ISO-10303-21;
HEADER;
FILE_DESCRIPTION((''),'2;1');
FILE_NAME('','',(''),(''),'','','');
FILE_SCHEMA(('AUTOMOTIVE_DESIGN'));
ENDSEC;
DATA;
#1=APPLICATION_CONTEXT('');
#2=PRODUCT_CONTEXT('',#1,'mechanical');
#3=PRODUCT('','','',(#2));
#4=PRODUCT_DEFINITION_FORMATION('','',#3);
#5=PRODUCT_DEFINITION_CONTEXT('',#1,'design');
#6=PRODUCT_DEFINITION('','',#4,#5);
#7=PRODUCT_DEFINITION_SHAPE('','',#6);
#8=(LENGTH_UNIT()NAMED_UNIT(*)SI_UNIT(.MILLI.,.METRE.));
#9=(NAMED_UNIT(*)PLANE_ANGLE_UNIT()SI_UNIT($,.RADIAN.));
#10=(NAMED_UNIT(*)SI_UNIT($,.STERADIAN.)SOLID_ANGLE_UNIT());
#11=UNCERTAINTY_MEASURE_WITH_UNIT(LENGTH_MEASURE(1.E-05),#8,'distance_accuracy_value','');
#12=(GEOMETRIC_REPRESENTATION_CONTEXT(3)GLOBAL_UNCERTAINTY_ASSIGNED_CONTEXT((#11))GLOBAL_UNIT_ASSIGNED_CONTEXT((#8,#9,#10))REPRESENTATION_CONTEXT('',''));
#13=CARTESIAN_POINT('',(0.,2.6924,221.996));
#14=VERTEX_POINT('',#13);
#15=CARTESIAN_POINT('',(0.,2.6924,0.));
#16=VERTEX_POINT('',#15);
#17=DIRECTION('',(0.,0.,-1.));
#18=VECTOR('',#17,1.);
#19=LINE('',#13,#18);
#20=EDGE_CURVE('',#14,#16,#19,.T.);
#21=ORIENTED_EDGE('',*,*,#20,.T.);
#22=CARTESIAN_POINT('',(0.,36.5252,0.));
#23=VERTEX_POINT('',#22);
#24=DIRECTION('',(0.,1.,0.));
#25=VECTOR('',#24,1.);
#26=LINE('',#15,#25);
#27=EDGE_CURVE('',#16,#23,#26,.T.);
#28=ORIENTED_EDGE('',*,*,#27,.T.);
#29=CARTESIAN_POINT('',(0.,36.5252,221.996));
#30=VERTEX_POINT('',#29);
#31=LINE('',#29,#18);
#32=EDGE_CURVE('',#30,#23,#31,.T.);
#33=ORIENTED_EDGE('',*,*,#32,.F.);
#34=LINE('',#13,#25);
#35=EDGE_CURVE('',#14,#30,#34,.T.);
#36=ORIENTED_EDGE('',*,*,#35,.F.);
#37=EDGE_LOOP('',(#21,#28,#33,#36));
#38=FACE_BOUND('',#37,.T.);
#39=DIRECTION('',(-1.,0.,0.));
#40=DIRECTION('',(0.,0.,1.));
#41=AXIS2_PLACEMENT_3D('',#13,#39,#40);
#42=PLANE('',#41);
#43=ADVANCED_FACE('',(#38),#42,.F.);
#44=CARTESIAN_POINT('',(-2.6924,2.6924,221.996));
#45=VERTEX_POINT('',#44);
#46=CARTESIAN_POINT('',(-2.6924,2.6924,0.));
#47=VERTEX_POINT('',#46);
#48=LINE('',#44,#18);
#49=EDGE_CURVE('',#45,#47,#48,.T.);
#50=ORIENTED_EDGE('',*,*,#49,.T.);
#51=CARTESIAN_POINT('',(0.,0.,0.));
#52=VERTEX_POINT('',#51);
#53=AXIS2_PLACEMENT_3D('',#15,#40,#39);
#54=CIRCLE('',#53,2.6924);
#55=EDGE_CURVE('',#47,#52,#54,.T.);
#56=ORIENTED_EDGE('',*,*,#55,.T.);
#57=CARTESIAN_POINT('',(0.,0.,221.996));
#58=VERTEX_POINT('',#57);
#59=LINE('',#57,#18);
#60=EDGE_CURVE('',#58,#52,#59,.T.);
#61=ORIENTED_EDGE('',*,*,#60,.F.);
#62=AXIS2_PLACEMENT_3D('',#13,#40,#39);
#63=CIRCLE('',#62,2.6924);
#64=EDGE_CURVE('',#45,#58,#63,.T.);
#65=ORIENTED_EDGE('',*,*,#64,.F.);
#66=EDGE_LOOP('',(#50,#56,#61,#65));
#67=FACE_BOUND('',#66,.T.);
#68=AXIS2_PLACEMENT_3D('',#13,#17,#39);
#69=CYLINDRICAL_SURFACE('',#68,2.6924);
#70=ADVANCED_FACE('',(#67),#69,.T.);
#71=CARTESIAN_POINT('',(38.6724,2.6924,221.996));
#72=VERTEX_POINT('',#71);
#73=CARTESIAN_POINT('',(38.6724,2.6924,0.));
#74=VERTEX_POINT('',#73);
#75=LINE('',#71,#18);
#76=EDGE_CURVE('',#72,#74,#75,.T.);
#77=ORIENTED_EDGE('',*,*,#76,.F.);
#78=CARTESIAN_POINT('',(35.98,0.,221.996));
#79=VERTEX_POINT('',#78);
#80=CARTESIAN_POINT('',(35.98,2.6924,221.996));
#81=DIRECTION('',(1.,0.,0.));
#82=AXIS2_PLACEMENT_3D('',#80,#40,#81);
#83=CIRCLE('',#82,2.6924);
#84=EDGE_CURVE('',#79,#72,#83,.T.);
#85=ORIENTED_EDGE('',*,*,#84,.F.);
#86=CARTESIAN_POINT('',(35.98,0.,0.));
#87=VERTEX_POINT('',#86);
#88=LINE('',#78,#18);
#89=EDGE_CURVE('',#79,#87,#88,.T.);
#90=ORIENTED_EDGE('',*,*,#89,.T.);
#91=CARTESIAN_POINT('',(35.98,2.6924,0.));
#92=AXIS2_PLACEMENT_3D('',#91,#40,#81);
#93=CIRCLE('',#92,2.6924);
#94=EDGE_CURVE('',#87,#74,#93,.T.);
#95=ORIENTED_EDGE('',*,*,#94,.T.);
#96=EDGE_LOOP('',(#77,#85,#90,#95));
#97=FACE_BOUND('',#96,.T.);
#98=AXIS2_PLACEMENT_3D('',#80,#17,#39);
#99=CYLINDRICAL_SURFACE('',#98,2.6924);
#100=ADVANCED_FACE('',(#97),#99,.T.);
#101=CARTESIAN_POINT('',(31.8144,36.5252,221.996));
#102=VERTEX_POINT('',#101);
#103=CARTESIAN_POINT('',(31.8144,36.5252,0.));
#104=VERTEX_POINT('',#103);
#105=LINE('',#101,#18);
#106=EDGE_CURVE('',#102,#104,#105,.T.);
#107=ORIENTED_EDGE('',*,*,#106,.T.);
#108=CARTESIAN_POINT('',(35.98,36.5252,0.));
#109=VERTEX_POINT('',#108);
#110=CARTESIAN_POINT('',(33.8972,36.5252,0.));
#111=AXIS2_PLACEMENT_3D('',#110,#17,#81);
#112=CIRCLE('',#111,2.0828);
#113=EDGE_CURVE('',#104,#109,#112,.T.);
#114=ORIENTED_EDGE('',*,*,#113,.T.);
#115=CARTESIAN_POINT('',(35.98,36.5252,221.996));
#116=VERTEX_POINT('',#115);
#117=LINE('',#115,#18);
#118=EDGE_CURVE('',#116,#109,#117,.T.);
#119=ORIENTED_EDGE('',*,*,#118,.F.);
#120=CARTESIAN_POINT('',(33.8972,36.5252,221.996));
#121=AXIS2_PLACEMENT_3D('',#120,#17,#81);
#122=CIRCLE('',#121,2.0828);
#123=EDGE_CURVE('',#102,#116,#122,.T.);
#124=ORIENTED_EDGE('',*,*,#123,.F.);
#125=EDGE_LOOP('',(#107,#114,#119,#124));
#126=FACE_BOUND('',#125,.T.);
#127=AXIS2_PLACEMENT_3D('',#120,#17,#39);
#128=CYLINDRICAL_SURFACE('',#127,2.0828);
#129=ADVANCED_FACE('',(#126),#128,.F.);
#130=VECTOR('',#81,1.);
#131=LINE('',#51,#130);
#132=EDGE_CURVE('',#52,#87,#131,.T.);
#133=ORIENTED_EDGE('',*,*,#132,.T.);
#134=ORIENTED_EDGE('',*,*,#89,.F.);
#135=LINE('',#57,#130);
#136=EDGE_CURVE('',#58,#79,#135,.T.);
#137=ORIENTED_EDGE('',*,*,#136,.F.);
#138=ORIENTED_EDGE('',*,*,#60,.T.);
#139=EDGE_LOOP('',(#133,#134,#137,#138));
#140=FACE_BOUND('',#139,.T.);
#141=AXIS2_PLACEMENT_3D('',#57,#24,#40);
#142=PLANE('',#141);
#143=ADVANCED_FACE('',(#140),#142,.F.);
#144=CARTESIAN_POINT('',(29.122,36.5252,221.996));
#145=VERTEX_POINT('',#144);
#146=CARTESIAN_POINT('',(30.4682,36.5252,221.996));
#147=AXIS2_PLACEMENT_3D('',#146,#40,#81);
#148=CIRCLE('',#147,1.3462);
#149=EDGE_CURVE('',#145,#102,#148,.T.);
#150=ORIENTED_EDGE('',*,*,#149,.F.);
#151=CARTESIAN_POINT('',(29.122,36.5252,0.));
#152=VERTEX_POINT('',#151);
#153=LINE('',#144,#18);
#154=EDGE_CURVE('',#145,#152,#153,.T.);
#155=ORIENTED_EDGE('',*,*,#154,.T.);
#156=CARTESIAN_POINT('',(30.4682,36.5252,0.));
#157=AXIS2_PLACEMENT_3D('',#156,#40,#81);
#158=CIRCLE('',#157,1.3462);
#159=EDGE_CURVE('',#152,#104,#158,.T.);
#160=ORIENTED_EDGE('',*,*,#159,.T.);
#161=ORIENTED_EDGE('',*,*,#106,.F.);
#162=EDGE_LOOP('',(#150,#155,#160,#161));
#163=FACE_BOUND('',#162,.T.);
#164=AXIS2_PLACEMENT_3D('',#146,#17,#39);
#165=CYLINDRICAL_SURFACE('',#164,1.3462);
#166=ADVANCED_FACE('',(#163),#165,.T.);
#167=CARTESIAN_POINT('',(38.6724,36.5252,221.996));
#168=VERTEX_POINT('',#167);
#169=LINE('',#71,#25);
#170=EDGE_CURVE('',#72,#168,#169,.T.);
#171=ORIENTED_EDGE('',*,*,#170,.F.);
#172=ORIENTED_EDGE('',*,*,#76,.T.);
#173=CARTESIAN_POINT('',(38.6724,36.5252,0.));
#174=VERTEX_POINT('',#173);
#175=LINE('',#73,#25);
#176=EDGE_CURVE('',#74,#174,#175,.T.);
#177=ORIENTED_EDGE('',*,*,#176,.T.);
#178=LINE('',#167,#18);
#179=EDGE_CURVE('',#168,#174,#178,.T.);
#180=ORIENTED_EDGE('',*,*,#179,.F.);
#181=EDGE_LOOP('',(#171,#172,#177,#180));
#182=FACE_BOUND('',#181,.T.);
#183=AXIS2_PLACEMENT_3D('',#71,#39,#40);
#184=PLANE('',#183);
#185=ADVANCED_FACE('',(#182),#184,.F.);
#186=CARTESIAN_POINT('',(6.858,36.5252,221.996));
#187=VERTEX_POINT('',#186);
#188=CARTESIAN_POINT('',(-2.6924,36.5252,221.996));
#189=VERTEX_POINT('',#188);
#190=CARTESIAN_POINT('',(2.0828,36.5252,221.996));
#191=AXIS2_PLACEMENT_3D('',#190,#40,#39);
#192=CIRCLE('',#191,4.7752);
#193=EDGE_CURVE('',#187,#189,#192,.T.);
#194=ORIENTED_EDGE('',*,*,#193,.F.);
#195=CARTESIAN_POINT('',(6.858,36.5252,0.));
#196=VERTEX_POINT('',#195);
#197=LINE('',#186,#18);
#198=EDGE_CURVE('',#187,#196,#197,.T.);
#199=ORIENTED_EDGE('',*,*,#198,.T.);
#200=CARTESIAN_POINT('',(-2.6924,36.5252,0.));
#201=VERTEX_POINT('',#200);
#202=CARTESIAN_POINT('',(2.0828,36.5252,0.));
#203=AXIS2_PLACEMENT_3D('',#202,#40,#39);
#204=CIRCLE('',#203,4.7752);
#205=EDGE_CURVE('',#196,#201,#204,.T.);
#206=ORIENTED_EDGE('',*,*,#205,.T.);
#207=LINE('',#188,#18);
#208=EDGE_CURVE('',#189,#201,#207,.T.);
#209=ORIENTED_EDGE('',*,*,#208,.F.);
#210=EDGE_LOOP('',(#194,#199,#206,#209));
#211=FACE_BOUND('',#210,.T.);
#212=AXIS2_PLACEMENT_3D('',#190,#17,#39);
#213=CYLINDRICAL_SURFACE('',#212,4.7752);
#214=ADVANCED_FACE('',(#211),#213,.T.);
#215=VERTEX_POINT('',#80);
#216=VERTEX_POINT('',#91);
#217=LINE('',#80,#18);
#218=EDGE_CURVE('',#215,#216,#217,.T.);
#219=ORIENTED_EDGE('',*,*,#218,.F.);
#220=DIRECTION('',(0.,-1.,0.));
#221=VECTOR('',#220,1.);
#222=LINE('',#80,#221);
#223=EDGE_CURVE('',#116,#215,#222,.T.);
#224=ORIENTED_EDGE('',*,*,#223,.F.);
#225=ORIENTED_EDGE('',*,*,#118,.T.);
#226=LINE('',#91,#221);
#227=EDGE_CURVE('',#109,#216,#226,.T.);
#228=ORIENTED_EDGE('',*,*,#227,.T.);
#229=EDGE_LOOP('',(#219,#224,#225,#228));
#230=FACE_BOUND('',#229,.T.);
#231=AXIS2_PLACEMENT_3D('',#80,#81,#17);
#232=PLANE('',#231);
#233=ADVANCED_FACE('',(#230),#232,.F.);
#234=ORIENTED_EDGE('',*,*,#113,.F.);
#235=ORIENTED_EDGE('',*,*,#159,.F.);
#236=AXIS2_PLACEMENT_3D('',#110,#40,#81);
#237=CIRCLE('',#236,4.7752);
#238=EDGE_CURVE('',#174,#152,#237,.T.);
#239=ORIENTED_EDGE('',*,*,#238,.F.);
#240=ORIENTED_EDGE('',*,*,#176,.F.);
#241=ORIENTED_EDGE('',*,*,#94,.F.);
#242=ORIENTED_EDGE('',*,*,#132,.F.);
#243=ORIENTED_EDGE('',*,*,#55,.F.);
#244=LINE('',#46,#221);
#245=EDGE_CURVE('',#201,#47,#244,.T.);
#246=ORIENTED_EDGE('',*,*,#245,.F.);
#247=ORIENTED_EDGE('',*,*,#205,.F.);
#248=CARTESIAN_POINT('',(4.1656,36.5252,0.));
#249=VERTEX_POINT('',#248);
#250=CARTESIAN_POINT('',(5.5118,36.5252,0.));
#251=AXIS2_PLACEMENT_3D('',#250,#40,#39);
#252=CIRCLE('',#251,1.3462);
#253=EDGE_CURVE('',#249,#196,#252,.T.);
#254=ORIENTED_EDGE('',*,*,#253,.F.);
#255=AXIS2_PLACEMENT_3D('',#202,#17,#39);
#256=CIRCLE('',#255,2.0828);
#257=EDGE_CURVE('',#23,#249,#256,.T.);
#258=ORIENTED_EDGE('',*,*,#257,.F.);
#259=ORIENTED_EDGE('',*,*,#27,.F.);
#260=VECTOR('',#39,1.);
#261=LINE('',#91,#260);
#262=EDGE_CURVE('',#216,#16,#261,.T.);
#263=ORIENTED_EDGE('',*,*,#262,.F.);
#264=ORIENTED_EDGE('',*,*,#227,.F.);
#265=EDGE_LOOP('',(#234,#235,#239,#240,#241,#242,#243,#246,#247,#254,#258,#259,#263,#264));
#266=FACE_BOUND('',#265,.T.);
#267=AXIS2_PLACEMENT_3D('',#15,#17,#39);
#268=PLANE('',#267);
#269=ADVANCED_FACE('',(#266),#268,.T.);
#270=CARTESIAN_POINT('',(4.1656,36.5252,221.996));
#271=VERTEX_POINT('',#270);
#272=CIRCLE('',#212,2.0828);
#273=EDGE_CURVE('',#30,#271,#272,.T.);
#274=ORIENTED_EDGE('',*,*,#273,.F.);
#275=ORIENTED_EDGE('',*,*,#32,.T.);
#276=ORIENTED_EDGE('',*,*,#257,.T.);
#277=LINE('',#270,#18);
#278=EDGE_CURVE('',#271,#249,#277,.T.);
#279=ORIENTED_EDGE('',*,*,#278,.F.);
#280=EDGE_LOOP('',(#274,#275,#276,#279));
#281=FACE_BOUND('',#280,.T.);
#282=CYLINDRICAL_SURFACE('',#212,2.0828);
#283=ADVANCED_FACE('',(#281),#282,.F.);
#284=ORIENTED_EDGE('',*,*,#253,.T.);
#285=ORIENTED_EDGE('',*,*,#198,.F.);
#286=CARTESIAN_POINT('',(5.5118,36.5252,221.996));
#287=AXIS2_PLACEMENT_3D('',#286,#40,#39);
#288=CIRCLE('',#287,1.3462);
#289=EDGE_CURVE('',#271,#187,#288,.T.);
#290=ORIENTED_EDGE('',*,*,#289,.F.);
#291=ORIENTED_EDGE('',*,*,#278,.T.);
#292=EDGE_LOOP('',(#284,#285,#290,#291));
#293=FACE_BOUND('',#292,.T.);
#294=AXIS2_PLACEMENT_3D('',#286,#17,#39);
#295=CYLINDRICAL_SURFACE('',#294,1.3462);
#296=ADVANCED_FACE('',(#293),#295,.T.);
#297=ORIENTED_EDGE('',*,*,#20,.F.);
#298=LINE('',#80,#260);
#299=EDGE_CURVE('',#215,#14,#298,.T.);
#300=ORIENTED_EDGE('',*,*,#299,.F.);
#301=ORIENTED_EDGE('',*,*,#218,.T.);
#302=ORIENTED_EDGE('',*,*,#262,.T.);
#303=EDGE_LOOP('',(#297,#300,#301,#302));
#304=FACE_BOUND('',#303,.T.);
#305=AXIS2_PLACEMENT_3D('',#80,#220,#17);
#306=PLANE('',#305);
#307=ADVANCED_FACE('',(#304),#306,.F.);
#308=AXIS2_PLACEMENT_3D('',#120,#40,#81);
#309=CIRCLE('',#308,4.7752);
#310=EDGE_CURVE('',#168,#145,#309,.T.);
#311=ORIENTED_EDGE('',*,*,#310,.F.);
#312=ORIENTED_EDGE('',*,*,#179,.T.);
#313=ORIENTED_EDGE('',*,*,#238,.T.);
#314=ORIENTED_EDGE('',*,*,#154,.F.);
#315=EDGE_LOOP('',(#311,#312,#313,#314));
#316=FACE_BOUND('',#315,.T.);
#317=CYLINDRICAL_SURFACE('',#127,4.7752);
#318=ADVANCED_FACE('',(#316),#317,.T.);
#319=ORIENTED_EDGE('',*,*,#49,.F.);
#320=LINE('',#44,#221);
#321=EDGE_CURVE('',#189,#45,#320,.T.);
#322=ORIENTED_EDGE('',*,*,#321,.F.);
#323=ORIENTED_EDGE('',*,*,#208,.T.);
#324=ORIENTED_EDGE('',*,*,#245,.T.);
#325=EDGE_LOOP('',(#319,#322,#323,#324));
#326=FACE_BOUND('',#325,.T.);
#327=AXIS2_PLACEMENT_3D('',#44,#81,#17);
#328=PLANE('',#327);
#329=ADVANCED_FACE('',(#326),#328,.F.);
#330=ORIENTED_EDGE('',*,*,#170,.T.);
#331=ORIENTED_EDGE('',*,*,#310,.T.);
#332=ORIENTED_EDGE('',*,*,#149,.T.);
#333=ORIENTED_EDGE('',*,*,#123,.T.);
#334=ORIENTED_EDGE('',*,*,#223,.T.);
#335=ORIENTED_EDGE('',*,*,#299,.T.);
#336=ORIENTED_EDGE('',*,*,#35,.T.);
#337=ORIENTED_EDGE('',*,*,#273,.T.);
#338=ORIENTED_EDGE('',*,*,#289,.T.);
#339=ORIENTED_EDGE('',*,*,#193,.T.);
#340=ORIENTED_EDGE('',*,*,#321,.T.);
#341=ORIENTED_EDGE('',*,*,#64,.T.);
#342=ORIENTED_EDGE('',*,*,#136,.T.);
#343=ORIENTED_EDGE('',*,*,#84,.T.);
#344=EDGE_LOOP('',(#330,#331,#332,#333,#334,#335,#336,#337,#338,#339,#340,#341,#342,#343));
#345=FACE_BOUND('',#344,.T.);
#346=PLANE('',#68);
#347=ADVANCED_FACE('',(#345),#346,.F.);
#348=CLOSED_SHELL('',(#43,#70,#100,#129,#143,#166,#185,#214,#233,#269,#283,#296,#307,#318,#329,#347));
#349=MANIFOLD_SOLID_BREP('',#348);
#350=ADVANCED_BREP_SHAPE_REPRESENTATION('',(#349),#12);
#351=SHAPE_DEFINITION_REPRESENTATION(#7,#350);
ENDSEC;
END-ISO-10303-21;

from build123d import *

# Parameters (mm, degrees)
EXTRUDE_1_DEPTH = 221.996


with BuildPart() as part:
    # 草图1 → 凸台-拉伸1 (new body)
    with BuildSketch(Plane.XY):
        with BuildLine():
            Line((0, 0), (35.98, 0))
            ThreePointArc((35.98, 0), (37.883814298, 0.788585702), (38.6724, 2.6924))
            Line((38.6724, 2.6924), (38.6724, 36.5252))
            ThreePointArc((38.6724, 36.5252), (33.8972, 41.3004), (29.122, 36.5252))
            ThreePointArc((29.122, 36.5252), (30.4682, 35.179), (31.8144, 36.5252))
            ThreePointArc((31.8144, 36.5252), (33.8972, 38.608), (35.98, 36.5252))
            Line((35.98, 36.5252), (35.98, 2.6924))
            Line((35.98, 2.6924), (0, 2.6924))
            Line((0, 2.6924), (0, 36.5252))
            ThreePointArc((0, 36.5252), (2.0828, 38.608), (4.1656, 36.5252))
            ThreePointArc((4.1656, 36.5252), (5.5118, 35.179), (6.858, 36.5252))
            ThreePointArc((6.858, 36.5252), (2.0828, 41.3004), (-2.6924, 36.5252))
            Line((-2.6924, 36.5252), (-2.6924, 2.6924))
            ThreePointArc((-2.6924, 2.6924), (-1.903814298, 0.788585702), (0, 0))
        make_face()
    extrude(amount=EXTRUDE_1_DEPTH)


solid = part.part
